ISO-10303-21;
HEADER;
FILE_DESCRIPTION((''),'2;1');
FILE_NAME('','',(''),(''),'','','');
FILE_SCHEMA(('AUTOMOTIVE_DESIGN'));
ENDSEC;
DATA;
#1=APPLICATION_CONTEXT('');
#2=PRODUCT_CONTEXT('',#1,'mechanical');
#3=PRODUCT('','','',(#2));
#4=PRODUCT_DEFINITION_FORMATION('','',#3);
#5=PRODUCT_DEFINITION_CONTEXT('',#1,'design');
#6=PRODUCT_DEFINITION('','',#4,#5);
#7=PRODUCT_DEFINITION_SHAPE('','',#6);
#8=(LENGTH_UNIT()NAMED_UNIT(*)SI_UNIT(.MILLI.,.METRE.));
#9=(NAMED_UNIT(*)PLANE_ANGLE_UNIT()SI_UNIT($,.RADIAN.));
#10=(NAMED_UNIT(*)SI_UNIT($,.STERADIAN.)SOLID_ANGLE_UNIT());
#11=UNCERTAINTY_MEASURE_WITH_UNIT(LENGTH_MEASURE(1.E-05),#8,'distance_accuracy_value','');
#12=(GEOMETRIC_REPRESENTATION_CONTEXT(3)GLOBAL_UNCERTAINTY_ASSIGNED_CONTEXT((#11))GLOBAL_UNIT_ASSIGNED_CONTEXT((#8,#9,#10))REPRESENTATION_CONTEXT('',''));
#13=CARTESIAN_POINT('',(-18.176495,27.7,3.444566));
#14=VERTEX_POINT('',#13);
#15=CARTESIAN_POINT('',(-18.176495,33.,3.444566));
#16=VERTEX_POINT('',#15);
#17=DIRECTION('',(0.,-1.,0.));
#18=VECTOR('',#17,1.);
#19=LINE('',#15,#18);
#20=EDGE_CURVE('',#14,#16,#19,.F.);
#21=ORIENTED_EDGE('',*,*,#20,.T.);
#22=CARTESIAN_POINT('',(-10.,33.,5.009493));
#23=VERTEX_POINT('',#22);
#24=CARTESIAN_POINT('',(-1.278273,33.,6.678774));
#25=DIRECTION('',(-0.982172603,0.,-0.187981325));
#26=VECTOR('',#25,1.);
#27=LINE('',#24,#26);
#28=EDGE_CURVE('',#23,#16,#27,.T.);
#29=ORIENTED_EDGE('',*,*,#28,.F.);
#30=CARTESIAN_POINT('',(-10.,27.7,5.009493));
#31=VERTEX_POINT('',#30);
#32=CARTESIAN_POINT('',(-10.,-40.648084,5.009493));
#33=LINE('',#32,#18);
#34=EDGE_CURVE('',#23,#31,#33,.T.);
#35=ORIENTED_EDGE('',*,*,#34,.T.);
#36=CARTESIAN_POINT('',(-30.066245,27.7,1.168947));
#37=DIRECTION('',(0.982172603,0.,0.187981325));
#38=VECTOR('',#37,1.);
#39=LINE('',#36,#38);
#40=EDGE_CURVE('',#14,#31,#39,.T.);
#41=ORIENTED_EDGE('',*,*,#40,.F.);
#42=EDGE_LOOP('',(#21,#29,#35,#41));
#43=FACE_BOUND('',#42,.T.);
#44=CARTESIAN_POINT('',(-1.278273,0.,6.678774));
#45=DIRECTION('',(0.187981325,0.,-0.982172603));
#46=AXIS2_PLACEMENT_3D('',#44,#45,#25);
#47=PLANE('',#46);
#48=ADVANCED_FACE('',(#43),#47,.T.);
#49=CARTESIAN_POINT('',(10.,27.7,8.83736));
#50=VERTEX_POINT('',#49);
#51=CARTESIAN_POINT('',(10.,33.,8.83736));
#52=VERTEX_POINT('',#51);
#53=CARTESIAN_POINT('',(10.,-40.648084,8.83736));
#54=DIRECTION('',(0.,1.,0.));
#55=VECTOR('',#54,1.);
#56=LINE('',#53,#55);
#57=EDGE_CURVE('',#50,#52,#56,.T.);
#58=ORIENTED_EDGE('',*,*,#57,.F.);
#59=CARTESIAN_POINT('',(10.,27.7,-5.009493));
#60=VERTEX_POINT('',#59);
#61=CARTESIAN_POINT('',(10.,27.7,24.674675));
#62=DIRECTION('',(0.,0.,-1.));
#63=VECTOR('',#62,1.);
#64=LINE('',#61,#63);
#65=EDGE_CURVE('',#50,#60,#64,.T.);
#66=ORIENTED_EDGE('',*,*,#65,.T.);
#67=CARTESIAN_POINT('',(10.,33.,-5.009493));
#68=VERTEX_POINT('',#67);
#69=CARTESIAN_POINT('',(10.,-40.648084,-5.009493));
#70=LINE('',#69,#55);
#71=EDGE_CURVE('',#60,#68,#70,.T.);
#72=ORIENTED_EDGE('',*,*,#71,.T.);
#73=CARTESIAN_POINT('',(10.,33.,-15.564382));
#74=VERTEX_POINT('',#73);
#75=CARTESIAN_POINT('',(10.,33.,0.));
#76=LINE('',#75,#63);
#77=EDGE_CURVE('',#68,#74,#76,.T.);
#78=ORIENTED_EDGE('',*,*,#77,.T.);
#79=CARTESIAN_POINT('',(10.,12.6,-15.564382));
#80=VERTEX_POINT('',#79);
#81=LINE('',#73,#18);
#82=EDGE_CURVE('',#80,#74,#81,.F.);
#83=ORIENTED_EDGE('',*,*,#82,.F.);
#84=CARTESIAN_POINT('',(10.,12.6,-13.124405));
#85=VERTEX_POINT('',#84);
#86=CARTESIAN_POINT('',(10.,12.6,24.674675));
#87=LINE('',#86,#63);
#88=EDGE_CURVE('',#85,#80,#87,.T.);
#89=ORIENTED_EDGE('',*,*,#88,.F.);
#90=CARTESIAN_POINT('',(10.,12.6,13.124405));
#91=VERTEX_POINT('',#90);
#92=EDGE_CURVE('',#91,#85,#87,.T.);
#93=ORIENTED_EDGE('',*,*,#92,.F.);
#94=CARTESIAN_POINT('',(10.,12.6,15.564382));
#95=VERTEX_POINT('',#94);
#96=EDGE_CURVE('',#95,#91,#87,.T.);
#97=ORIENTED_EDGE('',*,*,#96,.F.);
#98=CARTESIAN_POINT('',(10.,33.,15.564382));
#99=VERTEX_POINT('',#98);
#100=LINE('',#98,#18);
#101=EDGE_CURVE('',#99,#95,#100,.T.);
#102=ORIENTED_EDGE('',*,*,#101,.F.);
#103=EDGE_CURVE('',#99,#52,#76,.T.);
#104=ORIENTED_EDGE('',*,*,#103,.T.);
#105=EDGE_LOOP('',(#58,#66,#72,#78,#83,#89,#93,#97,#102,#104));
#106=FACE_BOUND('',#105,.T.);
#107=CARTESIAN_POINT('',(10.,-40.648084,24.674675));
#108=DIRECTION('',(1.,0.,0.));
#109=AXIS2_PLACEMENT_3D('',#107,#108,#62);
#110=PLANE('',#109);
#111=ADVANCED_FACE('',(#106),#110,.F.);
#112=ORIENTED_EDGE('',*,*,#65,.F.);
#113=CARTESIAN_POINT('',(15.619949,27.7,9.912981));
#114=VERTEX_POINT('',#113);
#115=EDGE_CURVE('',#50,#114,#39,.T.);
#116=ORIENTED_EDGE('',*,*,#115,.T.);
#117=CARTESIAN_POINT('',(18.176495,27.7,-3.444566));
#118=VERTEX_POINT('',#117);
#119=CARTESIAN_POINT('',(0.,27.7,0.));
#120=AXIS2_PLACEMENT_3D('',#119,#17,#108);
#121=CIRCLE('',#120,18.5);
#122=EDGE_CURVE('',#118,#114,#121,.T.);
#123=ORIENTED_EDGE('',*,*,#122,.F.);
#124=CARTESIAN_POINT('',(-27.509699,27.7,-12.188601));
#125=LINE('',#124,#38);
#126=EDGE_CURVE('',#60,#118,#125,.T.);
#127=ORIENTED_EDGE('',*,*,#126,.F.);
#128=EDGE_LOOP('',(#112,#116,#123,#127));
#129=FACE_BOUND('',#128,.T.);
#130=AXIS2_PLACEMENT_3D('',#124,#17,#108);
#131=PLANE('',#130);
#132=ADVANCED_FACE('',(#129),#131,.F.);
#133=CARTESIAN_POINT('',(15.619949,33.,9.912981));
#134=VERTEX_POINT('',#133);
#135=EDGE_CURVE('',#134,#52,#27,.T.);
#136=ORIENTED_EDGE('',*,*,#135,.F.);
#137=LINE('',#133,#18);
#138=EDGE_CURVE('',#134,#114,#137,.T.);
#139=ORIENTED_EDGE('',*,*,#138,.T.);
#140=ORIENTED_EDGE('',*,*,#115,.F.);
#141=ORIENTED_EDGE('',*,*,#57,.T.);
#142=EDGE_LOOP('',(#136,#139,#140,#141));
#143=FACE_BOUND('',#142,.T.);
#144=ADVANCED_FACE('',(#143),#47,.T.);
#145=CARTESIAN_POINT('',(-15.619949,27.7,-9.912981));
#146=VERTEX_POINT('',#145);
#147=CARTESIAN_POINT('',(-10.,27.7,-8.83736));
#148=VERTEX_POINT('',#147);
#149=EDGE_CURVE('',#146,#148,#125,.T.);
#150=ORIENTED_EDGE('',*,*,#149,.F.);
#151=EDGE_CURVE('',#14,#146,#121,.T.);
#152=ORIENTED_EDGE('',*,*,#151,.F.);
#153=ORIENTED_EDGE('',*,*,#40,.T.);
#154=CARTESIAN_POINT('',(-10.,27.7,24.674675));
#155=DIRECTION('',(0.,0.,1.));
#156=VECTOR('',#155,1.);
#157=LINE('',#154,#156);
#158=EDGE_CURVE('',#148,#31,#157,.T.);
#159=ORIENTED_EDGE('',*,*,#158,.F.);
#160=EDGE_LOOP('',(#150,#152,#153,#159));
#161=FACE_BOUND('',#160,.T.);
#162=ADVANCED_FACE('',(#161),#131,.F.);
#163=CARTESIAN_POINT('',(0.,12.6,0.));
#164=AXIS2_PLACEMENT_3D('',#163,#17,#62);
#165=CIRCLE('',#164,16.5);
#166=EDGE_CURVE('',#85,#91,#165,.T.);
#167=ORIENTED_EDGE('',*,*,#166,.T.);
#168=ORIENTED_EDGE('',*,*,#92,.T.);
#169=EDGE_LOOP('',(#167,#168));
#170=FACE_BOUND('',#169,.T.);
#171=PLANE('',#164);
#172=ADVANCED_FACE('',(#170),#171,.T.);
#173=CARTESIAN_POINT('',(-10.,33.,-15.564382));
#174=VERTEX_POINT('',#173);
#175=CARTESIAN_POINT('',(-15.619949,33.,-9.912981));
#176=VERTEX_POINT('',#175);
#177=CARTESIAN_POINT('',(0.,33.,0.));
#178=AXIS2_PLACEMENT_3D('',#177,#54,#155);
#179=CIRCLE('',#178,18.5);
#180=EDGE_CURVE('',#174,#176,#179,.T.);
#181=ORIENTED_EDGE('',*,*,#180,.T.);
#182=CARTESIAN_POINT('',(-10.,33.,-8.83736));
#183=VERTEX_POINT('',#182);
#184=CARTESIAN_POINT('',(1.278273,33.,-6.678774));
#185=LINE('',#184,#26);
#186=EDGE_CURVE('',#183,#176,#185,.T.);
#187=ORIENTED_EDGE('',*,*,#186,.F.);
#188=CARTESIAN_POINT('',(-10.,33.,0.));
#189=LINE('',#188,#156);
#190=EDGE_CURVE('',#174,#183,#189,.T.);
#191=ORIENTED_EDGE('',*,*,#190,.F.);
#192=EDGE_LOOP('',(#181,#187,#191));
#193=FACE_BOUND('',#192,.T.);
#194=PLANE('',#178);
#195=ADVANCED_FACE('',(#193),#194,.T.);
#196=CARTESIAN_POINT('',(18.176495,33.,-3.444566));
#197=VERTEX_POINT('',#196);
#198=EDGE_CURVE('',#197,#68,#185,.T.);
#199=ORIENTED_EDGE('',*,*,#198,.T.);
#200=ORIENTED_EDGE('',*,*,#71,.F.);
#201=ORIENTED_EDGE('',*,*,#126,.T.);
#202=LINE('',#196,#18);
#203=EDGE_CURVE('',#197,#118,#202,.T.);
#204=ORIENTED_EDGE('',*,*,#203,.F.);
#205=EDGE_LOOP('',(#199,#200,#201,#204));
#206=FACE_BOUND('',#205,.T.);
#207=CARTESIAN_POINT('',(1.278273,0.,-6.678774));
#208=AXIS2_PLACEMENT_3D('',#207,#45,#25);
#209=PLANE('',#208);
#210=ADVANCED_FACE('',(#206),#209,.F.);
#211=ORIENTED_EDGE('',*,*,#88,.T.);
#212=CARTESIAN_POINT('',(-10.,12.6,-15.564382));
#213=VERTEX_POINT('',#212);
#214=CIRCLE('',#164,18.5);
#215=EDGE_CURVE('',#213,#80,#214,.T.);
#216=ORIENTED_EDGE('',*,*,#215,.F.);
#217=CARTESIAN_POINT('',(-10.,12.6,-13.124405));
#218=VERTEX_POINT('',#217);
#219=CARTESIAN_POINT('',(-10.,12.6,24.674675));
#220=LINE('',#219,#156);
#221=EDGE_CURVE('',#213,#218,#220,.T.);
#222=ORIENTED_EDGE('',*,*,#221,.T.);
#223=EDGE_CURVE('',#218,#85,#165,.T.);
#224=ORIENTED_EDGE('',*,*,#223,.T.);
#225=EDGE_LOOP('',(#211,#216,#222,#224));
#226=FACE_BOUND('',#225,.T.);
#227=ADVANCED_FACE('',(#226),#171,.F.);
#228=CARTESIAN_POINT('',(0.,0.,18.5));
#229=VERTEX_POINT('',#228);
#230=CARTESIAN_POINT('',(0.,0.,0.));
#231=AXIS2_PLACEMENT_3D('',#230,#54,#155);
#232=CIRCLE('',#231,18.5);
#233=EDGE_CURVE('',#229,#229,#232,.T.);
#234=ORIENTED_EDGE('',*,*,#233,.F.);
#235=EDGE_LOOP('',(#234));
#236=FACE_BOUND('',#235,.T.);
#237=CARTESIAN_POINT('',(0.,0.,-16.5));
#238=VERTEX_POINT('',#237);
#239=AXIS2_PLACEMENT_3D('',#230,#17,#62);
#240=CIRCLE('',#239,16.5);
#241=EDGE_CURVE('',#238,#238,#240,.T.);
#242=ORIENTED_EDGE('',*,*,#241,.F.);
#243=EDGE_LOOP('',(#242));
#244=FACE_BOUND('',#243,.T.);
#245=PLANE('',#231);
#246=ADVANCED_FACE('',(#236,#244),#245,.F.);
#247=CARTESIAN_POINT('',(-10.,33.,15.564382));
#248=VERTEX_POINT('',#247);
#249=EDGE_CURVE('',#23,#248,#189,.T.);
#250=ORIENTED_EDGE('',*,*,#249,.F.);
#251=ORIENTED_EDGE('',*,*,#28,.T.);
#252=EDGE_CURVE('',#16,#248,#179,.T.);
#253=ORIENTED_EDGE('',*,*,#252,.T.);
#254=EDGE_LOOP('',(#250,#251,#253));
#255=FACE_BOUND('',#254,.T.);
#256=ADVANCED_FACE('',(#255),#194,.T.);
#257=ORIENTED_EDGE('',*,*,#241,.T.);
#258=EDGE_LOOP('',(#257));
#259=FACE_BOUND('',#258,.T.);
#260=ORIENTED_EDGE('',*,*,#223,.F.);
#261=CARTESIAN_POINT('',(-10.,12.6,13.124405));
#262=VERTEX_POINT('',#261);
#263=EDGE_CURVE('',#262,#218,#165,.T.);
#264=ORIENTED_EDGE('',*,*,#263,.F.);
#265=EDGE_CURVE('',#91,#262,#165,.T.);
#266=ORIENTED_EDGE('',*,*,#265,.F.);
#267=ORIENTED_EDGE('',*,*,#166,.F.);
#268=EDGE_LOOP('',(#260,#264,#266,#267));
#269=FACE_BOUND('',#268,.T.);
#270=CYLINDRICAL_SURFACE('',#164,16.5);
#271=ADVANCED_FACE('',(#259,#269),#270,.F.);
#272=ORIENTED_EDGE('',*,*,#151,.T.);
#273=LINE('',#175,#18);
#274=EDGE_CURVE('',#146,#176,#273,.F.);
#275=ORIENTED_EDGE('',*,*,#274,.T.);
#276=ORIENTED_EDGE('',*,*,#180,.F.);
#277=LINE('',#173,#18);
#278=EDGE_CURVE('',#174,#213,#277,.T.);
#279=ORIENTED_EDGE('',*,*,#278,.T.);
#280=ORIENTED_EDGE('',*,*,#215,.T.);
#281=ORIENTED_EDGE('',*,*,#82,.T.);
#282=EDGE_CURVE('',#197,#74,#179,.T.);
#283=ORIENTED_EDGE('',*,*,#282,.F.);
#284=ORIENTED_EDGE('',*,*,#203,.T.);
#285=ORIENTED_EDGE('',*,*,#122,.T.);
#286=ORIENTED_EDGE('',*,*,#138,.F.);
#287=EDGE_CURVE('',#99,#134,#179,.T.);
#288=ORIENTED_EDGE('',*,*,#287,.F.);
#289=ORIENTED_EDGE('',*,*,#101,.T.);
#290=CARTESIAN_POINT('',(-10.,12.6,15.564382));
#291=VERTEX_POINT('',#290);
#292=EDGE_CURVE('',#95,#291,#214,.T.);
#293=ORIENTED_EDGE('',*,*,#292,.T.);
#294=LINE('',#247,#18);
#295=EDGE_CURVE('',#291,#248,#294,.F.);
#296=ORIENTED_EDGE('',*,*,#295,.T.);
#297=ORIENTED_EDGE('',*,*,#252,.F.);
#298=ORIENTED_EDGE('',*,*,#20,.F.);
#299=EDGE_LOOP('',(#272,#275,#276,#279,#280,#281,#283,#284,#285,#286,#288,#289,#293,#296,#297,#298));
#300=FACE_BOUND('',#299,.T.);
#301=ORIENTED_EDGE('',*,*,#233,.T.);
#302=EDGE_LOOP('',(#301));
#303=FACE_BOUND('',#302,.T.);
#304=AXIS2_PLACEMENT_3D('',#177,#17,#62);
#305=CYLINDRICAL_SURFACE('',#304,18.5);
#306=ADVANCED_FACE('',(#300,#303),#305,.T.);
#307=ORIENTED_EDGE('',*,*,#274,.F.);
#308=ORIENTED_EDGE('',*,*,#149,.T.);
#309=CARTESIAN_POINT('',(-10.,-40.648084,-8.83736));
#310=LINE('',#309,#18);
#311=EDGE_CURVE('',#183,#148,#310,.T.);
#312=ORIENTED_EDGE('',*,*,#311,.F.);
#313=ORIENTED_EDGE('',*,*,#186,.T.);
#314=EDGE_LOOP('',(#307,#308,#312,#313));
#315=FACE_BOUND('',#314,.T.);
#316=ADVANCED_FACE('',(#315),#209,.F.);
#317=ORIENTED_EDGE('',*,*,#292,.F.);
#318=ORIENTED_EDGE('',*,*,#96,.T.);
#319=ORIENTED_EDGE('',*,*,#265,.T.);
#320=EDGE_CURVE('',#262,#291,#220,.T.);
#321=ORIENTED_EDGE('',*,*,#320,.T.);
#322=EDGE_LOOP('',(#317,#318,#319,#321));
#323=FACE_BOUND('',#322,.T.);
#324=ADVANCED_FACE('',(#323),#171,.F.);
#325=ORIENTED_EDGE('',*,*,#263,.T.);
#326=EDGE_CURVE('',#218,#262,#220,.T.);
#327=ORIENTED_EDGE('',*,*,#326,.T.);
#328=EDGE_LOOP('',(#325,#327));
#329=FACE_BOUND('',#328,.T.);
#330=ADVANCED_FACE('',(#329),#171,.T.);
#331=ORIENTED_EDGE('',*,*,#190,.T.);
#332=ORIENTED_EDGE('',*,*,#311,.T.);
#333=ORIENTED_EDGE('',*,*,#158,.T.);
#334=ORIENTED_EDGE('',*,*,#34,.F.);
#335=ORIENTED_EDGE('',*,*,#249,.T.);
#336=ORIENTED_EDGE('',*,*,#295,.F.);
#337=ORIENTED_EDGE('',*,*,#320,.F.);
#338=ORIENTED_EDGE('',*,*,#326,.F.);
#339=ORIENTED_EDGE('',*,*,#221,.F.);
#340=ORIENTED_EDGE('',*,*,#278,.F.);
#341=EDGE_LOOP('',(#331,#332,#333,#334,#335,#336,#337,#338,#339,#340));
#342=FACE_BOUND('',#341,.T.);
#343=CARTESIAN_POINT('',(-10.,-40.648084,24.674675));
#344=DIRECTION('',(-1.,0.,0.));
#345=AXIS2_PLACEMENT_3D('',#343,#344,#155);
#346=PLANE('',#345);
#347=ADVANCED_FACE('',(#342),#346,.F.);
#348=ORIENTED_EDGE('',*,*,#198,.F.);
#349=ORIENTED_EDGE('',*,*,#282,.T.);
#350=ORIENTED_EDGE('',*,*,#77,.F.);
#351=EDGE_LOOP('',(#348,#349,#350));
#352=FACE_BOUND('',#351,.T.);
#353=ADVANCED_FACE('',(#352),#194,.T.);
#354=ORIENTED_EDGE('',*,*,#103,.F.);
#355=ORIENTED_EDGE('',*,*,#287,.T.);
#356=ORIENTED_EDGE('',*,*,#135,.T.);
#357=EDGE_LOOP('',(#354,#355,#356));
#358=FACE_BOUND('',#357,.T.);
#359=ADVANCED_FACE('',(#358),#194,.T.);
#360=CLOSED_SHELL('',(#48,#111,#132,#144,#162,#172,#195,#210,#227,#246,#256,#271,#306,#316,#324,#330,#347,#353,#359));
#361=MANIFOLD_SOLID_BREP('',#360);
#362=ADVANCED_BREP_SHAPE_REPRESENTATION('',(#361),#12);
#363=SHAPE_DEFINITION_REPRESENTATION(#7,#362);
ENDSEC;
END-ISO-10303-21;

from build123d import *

# Parameters (mm, degrees)
SKETCH1_R           = 18.5
BOSS_EXTRUDE1_DEPTH = 33
SKETCH4_R           = 16.5
CUT_EXTRUDE3_DEPTH  = 12.6
SKETCH5_W           = 20
SKETCH5_H           = 49.349350968
CUT_EXTRUDE4_DEPTH  = 20.4
SKETCH7_W           = 56.502792025
SKETCH7_H           = 7.03676062
CUT_EXTRUDE5_DEPTH  = 6.8


with BuildPart() as part:
    # Sketch1 → Boss-Extrude1 (new body)
    with BuildSketch(Plane(origin=(0, 0, 0), x_dir=(1, 0, 0), z_dir=(0, 1, 0))):
        with Locations(Location((0, 0, 0), (0, 0, 270))):
            Circle(SKETCH1_R)
    extrude(amount=BOSS_EXTRUDE1_DEPTH)

    # Sketch4 → Cut-Extrude3 (cut)
    with BuildSketch(Plane.XZ):
        with Locations(Location((0, 0, 0), (0, 0, 270))):
            Circle(SKETCH4_R)
    extrude(amount=-CUT_EXTRUDE3_DEPTH, mode=Mode.SUBTRACT)

    # Sketch5 → Cut-Extrude4 (cut)
    with BuildSketch(Plane(origin=(0, 33, 0), x_dir=(1, 0, 0), z_dir=(0, 1, 0))):
        Rectangle(SKETCH5_W, SKETCH5_H)
    extrude(amount=-CUT_EXTRUDE4_DEPTH, mode=Mode.SUBTRACT)

    # Sketch7 → Cut-Extrude5 (cut, symmetric)
    with BuildSketch(Plane(origin=(0, 0, 0), x_dir=(0.9821726027310876, 0, 0.1879813247225403), z_dir=(-0.1879813247225403, 0, 0.9821726027310876))):
        with Locations((-1.059105512, 31.21838031)):
            Rectangle(SKETCH7_W, SKETCH7_H)
    extrude(amount=CUT_EXTRUDE5_DEPTH, both=True, mode=Mode.SUBTRACT)


solid = part.part
